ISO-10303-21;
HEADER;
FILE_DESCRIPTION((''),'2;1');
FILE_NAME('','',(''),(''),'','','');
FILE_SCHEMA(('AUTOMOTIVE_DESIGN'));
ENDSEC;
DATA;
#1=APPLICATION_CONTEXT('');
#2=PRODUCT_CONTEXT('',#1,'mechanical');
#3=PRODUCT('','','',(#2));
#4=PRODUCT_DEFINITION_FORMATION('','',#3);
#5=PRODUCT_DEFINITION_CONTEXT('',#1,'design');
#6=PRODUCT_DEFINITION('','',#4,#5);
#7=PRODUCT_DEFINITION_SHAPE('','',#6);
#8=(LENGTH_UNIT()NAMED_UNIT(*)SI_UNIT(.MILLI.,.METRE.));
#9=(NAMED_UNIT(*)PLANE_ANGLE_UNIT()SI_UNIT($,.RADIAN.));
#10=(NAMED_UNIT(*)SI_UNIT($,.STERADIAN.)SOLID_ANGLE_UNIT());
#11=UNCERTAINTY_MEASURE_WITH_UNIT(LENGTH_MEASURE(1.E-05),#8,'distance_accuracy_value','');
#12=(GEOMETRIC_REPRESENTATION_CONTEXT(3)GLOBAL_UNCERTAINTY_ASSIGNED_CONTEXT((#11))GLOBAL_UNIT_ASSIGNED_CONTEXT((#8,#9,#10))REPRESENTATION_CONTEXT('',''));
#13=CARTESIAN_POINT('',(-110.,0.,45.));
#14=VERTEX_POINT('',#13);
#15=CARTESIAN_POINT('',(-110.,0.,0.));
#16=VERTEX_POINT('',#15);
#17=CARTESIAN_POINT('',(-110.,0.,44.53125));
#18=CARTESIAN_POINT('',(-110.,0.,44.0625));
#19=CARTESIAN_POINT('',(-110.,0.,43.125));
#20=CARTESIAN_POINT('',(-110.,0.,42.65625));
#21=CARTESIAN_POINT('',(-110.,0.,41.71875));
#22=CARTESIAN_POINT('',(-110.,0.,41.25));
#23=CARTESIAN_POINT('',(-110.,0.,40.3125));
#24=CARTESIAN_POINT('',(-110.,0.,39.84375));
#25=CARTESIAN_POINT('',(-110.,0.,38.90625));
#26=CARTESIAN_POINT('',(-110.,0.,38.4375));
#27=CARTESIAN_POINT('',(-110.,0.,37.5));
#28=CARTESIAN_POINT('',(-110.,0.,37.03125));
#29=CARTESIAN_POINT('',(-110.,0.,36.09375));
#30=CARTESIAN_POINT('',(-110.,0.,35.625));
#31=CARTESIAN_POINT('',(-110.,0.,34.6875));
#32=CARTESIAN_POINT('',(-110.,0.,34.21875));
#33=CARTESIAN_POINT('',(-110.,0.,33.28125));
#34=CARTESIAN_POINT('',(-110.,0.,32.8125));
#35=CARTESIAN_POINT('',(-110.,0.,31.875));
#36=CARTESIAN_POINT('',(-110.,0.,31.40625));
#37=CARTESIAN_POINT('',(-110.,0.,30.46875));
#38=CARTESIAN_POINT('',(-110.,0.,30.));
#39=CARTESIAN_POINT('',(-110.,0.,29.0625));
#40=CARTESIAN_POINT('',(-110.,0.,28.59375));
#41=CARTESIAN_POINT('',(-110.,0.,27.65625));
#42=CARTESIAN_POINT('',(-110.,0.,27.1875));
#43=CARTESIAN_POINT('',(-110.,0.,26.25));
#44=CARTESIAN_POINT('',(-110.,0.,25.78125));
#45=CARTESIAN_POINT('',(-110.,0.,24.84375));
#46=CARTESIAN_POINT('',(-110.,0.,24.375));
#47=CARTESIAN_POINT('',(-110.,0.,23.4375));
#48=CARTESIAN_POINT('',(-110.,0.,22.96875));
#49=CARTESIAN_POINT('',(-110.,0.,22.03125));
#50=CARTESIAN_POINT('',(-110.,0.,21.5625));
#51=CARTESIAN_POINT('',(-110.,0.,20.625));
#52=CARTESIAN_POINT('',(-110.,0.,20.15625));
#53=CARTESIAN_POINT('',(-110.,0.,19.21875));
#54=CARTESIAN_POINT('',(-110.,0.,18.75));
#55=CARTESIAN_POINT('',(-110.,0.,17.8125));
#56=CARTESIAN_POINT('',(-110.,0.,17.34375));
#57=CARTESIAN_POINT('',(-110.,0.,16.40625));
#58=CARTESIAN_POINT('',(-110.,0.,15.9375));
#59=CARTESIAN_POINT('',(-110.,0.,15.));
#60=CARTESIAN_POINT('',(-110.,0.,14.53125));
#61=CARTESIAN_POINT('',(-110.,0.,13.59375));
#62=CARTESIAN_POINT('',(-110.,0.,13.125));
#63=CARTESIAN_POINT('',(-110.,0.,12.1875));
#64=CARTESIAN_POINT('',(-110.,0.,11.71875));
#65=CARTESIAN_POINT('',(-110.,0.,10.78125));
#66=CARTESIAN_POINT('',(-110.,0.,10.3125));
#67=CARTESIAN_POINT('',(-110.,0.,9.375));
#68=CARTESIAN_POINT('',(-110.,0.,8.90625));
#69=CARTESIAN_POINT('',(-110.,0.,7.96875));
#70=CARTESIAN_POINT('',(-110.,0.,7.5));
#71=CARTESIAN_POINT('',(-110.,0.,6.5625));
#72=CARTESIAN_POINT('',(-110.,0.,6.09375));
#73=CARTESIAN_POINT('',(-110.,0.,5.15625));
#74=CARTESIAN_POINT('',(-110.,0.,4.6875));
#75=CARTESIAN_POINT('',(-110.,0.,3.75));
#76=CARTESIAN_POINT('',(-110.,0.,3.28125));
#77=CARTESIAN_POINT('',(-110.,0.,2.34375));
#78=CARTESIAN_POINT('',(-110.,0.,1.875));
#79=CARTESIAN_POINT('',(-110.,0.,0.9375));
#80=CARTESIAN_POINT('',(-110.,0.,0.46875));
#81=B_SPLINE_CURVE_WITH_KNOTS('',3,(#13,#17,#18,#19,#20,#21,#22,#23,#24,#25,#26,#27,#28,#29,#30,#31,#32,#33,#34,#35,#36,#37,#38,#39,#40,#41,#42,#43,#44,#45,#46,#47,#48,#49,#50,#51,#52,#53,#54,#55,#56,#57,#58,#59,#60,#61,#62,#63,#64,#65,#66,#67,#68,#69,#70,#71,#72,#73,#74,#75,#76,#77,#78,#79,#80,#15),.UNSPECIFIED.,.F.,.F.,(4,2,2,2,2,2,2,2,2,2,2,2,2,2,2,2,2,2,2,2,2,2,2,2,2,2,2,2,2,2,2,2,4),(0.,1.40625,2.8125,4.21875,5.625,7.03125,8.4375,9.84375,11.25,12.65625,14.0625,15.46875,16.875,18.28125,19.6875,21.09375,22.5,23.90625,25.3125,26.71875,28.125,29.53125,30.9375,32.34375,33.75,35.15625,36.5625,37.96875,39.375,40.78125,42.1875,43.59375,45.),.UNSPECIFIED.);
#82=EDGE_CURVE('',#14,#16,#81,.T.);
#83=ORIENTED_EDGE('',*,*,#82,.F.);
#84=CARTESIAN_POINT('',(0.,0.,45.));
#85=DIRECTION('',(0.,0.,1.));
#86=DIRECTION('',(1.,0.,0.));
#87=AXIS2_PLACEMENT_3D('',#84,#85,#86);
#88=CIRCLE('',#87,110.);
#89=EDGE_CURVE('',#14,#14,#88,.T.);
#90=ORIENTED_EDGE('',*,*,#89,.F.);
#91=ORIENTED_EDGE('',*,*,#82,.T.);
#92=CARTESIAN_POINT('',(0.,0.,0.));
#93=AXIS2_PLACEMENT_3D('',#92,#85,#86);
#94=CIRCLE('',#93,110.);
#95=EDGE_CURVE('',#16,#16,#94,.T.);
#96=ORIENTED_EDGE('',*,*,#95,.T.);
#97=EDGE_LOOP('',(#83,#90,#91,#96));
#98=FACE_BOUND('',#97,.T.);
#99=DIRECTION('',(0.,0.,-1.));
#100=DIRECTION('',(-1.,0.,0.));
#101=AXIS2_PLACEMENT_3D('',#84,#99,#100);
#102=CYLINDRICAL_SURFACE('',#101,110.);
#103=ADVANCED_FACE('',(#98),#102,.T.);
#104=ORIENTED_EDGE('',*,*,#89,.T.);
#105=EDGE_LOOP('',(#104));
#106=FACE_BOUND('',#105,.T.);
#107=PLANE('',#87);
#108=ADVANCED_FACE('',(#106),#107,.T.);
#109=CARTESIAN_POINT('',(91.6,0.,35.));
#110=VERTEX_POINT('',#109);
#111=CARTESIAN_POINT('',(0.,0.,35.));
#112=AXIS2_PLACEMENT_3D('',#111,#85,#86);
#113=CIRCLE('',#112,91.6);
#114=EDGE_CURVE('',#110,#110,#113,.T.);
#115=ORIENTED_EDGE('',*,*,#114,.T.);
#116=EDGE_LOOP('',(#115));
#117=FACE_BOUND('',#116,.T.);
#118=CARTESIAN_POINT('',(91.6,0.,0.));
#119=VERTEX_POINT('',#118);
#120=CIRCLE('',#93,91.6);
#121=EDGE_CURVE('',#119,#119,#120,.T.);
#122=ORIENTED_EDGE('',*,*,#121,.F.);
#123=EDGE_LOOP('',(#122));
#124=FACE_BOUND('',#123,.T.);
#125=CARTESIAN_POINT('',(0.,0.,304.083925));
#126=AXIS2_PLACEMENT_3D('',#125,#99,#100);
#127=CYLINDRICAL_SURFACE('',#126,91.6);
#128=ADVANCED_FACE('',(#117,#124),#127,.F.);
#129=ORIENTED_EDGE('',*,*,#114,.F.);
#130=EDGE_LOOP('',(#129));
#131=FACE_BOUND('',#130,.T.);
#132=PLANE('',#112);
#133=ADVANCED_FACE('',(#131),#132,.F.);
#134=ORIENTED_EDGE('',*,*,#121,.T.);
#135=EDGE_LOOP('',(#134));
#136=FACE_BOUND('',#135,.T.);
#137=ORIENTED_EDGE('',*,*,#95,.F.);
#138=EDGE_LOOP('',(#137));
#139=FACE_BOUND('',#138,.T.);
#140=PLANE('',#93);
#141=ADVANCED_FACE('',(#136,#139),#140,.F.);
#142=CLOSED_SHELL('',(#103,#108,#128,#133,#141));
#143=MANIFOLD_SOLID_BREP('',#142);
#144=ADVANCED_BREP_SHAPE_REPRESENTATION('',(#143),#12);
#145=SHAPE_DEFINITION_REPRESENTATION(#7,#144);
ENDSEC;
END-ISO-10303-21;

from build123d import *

# Parameters (mm, degrees)
SKETCH1_R           = 110
BOSS_EXTRUDE2_DEPTH = 45
SKETCH3_R           = 91.6
CUT_EXTRUDE1_DEPTH  = 35


with BuildPart() as part:
    # Sketch1 → Boss-Extrude2 (new body)
    with BuildSketch(Plane.XY):
        with Locations(Location((0, 0, 0), (0, 0, 180))):
            Circle(SKETCH1_R)
    extrude(amount=BOSS_EXTRUDE2_DEPTH)

    # Sketch3 → Cut-Extrude1 (cut)
    with BuildSketch(Plane.XY):
        Circle(SKETCH3_R)
    extrude(amount=CUT_EXTRUDE1_DEPTH, mode=Mode.SUBTRACT)


solid = part.part
